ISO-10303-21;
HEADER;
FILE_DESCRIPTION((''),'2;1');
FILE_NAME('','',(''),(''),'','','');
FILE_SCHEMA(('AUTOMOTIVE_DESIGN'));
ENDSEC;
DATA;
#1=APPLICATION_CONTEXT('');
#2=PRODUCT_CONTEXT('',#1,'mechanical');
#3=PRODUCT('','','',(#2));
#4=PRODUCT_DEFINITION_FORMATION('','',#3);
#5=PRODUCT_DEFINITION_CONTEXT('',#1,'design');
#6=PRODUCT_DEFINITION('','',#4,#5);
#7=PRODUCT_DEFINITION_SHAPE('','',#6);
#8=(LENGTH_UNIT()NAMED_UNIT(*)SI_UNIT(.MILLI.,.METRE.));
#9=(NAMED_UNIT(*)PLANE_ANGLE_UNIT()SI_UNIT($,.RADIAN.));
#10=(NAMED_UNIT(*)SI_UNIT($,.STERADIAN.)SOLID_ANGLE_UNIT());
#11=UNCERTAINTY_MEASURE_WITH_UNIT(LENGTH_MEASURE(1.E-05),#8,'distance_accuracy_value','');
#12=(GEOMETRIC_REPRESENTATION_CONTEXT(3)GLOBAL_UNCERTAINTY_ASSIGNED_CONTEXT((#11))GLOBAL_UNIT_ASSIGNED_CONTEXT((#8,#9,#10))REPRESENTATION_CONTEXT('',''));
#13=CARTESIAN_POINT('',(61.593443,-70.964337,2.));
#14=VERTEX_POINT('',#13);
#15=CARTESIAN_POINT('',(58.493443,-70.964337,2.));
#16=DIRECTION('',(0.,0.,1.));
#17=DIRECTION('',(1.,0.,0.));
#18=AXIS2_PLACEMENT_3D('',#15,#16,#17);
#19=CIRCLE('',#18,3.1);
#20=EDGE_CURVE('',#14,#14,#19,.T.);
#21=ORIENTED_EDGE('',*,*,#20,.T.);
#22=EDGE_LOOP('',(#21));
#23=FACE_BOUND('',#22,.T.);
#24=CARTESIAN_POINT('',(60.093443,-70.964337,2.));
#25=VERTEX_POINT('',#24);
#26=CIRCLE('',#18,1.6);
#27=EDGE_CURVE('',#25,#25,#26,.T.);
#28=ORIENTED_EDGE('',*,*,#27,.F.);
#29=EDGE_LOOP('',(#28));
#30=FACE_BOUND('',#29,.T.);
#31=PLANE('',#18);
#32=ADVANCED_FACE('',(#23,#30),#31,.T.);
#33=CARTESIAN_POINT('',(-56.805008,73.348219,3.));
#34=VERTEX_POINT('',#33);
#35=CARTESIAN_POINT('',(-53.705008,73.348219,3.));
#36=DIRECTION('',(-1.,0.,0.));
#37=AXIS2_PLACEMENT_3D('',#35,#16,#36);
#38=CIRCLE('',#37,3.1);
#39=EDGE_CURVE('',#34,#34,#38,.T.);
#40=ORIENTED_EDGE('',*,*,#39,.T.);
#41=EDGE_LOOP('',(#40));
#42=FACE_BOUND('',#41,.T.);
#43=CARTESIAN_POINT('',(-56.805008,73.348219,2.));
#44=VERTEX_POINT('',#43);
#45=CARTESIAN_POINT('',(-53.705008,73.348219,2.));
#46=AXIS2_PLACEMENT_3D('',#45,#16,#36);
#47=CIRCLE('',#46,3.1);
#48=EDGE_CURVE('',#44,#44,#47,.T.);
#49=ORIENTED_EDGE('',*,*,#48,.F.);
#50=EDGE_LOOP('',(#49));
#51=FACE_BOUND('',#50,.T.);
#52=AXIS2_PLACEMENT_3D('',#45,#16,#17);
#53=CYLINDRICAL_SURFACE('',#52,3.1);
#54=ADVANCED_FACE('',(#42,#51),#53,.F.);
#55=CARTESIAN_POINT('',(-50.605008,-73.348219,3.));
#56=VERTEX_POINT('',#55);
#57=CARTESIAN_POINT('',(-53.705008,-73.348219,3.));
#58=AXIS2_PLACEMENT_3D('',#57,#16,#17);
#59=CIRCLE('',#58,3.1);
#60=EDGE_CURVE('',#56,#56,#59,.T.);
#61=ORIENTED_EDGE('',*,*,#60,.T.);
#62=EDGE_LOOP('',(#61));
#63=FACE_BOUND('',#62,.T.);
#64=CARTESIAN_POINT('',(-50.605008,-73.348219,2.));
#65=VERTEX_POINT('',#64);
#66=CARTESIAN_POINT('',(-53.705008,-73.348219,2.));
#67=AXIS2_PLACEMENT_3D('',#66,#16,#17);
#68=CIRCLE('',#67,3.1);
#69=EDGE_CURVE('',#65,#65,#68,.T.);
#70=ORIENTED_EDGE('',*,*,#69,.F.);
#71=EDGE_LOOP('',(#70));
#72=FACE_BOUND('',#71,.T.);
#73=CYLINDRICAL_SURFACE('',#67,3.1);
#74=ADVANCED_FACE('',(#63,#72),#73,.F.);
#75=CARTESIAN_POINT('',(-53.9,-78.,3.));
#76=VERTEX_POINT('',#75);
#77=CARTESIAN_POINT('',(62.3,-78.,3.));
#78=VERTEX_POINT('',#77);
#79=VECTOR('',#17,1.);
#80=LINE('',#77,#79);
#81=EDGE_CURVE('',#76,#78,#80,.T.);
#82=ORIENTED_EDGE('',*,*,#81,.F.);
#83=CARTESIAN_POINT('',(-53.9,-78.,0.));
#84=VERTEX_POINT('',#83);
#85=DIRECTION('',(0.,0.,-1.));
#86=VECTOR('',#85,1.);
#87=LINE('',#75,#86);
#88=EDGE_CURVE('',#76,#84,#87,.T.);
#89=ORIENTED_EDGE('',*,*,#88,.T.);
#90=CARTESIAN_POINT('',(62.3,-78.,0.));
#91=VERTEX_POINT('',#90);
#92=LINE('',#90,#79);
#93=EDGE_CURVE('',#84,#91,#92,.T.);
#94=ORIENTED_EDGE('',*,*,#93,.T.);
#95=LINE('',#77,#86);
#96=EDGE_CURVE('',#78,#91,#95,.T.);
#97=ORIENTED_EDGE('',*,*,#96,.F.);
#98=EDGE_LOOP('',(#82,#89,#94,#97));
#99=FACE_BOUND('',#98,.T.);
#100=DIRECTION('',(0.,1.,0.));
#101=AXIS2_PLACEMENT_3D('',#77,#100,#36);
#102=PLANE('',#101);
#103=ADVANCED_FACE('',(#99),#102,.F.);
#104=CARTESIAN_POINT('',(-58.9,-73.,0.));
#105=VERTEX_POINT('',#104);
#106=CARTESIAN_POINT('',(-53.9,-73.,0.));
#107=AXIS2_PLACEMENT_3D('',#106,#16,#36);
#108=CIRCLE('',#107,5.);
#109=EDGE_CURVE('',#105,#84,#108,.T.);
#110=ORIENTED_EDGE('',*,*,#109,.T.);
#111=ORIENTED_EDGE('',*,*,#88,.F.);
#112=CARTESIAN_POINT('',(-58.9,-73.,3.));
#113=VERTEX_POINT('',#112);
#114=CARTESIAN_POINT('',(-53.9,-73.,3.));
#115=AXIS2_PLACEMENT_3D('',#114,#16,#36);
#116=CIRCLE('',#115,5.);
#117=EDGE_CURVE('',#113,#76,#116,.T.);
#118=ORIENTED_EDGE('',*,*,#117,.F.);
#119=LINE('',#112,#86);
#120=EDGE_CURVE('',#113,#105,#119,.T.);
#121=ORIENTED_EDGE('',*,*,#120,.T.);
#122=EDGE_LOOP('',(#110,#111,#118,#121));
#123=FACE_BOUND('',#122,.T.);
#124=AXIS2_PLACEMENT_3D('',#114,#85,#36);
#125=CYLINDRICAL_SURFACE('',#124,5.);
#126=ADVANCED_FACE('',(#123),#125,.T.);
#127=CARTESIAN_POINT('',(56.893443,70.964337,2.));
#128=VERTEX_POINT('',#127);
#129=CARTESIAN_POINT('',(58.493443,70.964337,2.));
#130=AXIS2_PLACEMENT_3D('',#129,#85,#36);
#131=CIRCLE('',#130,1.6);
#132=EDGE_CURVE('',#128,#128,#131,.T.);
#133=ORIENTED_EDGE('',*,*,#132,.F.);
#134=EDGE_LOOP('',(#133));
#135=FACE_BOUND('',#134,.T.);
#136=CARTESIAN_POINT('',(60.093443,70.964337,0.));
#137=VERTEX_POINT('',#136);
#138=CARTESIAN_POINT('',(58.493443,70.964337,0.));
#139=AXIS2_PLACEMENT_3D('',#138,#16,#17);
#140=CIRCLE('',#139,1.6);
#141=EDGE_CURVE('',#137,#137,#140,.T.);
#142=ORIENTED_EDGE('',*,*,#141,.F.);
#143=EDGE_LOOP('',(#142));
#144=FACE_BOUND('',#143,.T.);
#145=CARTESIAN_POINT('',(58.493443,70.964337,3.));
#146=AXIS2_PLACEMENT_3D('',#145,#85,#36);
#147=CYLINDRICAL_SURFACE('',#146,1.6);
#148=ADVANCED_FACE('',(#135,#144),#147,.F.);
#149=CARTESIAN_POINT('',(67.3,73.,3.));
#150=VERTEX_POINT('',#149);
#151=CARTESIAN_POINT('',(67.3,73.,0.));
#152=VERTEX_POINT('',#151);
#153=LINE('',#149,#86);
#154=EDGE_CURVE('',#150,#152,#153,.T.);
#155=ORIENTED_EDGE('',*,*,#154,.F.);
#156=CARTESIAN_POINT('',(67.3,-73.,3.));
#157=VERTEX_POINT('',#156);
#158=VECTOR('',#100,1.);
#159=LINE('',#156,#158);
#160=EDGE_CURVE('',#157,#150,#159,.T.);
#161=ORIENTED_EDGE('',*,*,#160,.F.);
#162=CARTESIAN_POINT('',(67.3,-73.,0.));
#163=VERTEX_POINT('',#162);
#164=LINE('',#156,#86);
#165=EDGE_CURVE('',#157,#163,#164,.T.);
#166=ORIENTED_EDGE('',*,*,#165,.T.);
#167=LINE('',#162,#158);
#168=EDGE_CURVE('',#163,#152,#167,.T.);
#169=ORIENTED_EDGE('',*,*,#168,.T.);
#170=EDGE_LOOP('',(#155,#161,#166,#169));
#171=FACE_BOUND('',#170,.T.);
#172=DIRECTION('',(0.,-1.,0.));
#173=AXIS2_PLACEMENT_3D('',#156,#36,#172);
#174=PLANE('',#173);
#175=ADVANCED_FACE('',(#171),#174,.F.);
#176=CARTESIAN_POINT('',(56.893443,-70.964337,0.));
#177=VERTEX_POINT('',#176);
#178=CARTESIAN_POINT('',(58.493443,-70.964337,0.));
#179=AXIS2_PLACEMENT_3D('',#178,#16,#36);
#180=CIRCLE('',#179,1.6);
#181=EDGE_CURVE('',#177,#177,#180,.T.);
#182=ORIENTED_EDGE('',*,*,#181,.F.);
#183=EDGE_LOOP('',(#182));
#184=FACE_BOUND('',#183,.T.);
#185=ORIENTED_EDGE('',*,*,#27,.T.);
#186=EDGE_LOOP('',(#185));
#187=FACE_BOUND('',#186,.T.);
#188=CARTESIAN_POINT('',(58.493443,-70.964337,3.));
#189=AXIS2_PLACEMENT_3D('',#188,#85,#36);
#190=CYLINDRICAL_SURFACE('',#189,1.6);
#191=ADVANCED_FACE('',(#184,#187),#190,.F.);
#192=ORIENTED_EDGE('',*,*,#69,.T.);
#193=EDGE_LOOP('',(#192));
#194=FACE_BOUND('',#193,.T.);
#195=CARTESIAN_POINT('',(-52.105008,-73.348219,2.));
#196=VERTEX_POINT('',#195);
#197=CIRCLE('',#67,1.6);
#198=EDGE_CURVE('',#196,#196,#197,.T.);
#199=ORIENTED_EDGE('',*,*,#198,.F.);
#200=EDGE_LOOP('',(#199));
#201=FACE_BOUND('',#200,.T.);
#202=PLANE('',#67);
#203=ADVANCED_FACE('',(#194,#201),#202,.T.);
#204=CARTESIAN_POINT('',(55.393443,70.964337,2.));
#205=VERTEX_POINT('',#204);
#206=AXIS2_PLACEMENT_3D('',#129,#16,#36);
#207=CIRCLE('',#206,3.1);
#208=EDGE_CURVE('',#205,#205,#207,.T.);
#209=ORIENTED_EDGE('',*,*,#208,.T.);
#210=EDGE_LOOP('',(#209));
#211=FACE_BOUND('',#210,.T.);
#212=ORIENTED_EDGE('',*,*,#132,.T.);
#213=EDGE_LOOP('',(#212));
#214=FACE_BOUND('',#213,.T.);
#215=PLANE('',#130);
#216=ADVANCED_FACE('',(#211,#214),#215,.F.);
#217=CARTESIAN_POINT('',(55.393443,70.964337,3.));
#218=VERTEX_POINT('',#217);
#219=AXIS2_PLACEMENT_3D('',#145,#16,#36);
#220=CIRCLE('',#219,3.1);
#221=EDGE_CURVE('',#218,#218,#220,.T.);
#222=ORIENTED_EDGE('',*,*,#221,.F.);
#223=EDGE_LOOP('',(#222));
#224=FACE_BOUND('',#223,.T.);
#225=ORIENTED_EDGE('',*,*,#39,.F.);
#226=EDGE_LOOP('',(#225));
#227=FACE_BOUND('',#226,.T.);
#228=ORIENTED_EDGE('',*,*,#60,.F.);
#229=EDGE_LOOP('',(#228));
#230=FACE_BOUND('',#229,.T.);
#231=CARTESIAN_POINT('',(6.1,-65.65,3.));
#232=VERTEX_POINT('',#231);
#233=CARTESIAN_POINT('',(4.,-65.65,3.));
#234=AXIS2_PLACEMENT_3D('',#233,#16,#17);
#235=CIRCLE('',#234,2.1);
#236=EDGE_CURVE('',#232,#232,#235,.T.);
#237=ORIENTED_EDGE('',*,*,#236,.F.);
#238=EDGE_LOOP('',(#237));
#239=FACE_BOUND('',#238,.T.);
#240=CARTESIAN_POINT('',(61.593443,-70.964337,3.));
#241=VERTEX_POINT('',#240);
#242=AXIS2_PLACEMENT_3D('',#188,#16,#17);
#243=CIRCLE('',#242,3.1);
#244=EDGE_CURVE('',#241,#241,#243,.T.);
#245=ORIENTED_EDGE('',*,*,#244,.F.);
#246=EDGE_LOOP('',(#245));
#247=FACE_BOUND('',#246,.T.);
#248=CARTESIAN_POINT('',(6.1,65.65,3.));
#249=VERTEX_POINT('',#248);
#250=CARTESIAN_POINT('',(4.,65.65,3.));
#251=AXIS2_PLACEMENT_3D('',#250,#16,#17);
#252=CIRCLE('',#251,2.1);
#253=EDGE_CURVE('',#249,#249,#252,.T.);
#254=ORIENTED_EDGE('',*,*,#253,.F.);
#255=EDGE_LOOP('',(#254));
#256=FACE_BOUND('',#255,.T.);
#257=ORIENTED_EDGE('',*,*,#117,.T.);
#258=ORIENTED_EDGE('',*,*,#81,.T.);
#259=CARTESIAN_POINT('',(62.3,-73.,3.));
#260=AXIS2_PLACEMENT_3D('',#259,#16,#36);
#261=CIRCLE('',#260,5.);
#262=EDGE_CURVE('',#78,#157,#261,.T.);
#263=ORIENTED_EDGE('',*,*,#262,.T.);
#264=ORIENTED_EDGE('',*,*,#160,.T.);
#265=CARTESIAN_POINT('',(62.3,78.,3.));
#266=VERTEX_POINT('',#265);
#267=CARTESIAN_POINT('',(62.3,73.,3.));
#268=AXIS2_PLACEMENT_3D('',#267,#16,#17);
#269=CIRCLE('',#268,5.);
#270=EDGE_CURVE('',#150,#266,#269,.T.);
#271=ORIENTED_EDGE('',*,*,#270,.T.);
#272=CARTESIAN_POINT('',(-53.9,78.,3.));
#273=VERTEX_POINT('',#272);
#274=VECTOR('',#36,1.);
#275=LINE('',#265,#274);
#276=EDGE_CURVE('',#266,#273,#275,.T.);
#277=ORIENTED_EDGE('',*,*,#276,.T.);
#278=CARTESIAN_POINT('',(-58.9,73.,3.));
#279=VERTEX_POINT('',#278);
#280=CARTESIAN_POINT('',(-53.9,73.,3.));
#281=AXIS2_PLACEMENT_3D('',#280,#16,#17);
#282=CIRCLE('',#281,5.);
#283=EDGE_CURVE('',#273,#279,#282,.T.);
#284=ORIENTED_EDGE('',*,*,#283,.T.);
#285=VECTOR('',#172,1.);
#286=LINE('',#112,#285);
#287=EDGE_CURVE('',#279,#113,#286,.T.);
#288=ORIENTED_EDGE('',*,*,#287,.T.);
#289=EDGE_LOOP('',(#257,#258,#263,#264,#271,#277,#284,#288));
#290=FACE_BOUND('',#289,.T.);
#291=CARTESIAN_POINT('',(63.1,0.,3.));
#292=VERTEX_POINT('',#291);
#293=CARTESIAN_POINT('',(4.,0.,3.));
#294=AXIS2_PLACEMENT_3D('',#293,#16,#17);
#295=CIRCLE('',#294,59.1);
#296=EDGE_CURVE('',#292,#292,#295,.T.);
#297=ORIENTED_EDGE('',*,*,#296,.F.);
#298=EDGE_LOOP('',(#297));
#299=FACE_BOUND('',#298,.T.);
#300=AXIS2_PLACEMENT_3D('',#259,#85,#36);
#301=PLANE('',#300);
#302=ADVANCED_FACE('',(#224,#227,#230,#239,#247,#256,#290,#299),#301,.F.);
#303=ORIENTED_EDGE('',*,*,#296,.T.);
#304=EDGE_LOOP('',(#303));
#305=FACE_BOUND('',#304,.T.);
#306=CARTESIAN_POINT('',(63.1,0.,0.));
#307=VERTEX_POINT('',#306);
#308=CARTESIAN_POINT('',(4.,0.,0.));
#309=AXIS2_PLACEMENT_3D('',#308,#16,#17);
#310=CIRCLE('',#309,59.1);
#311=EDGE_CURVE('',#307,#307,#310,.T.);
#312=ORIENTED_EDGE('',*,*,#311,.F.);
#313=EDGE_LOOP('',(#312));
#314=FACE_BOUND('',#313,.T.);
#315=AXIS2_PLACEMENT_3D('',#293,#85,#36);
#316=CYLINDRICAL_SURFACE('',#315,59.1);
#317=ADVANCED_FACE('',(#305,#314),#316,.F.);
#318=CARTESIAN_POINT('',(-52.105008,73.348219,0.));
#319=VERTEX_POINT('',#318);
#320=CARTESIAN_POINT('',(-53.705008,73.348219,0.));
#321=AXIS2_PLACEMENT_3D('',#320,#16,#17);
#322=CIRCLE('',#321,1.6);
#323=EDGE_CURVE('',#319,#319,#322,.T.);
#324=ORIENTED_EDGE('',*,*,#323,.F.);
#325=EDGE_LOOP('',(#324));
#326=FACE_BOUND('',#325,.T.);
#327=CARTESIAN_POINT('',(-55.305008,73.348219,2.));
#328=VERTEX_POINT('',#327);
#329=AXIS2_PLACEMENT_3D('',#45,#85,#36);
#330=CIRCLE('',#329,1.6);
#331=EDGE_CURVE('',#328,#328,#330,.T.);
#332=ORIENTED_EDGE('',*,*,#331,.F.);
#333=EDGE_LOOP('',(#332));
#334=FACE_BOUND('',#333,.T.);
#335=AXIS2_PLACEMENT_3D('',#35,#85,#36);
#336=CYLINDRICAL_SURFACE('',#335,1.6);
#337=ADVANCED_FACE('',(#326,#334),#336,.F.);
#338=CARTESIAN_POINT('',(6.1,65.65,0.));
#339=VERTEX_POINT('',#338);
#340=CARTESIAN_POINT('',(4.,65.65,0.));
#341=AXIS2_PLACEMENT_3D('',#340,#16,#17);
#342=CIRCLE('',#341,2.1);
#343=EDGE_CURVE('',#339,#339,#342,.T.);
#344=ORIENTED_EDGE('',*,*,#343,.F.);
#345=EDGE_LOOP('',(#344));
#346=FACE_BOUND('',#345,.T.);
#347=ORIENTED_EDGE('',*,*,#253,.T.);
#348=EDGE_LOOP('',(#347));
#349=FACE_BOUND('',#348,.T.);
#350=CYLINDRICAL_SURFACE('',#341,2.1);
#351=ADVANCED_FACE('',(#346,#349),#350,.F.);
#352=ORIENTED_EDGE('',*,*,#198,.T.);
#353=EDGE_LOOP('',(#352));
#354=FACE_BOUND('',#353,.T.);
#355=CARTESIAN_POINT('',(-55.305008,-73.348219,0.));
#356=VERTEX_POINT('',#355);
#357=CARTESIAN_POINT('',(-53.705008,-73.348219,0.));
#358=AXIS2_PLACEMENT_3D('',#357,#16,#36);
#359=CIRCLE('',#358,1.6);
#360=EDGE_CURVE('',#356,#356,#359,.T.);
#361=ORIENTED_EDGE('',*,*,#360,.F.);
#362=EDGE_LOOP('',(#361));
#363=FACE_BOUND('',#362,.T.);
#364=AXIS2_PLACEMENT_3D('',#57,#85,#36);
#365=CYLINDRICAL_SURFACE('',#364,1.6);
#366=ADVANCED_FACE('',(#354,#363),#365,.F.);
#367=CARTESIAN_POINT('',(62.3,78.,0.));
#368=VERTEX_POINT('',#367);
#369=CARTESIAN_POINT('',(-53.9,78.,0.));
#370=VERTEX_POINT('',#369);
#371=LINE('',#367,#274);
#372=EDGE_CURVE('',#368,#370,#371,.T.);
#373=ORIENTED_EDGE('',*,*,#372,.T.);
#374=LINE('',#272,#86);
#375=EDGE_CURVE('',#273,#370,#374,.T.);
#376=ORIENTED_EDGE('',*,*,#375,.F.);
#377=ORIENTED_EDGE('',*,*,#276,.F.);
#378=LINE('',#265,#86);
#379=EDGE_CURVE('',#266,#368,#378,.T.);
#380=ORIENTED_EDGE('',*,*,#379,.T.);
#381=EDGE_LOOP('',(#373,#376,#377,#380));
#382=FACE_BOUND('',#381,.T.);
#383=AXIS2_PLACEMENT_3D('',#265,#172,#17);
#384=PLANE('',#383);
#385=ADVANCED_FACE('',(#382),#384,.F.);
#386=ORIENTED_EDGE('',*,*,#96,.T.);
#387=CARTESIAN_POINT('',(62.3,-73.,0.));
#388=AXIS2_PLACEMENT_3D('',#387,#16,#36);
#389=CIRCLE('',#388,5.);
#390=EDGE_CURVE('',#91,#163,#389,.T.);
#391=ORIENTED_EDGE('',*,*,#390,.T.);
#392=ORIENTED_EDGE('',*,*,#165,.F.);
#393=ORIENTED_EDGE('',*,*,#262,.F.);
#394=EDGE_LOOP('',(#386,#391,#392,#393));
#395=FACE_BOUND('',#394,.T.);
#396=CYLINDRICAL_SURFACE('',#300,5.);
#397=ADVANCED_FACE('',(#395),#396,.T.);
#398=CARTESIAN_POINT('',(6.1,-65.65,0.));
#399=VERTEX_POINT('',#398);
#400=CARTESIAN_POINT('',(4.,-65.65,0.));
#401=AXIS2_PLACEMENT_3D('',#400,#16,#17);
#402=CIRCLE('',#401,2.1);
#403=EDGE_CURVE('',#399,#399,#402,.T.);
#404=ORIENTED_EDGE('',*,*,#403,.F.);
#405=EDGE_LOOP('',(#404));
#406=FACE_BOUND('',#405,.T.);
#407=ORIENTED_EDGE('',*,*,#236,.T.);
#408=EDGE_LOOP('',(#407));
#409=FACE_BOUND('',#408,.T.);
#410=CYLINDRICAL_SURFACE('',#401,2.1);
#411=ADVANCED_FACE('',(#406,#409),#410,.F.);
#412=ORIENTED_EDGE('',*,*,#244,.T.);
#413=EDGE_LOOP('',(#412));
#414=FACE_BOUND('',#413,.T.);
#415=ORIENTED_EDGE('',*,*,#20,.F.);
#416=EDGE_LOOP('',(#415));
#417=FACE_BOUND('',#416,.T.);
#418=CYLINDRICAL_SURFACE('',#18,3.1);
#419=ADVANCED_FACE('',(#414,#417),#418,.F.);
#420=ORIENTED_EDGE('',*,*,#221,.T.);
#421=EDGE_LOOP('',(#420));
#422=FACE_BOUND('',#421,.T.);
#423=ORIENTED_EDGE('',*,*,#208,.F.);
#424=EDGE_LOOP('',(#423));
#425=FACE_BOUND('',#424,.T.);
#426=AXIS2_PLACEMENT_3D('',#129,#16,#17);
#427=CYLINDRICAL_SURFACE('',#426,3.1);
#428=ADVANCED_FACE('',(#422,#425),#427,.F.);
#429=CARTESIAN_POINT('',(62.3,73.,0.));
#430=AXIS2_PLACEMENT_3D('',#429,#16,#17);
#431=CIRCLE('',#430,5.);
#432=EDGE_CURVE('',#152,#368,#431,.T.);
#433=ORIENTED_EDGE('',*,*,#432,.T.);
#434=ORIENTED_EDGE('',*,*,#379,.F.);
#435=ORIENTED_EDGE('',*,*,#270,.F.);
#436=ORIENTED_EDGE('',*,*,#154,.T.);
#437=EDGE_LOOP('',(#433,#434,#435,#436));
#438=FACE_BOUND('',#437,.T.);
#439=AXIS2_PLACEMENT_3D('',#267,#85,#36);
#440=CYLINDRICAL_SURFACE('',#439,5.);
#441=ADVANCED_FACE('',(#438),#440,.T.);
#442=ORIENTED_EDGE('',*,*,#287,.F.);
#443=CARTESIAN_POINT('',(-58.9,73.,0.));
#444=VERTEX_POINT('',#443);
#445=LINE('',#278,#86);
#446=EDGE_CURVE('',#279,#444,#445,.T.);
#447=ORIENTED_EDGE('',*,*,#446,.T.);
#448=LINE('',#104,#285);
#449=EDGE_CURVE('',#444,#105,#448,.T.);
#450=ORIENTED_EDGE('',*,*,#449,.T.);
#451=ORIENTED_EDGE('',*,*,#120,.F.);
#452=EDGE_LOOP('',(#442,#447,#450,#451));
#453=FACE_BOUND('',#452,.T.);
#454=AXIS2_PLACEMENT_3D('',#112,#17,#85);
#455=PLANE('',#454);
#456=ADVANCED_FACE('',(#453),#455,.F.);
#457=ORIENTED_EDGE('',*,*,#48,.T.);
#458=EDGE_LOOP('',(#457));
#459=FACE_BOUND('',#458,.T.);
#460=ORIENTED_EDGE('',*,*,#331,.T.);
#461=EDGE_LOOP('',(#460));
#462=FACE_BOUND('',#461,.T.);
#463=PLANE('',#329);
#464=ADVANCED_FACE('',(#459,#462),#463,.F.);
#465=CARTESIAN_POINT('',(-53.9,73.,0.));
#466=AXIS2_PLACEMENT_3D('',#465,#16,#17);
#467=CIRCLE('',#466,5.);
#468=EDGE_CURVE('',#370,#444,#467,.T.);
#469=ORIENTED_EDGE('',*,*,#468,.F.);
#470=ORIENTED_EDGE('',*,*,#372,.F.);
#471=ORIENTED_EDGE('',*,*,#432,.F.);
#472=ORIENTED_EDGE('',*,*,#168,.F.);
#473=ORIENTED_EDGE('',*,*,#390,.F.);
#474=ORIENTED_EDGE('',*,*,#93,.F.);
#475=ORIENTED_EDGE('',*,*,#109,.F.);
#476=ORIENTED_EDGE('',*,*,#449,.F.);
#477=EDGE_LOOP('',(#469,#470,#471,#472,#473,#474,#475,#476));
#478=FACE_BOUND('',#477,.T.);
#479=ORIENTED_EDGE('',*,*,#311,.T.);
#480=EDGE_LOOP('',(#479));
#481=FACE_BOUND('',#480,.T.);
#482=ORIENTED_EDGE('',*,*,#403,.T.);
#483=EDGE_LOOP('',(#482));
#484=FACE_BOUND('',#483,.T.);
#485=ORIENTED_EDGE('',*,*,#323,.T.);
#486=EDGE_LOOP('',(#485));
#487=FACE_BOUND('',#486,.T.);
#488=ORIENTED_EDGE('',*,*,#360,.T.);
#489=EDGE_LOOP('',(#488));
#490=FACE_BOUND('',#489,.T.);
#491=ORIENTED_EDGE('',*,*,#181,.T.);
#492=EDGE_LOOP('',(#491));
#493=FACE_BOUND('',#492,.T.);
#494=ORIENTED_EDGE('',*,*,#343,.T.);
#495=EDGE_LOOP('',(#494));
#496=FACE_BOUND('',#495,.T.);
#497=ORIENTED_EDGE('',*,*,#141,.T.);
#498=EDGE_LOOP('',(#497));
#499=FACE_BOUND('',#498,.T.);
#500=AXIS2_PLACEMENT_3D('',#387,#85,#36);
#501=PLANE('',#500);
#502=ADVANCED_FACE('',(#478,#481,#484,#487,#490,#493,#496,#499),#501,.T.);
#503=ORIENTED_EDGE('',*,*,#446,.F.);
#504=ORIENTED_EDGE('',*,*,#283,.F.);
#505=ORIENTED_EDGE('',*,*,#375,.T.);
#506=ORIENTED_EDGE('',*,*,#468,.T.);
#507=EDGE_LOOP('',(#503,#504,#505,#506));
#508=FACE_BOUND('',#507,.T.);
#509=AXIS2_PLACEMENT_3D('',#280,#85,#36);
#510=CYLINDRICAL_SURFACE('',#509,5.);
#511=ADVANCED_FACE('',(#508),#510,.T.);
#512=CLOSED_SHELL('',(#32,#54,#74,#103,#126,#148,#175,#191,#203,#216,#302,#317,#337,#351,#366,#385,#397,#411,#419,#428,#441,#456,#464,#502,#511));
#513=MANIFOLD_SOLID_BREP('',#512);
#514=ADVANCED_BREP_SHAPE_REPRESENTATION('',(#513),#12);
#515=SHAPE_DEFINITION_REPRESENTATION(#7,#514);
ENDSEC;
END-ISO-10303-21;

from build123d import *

# Parameters (mm, degrees)
SKETCH_1_R          = 59.1
SKETCH_1_R_2        = 1.6
EXTRUDE_1_DEPTH     = 3
SKETCH_2_R          = 2.1
CUT_EXTRUDE_1_DEPTH = 104.064494371
SKETCH_3_R          = 3.1
CUT_EXTRUDE_2_DEPTH = 1


with BuildPart() as part:
    # 草图1 → 凸台-拉伸1 (new body)
    with BuildSketch(Plane.XY):
        with BuildLine():
            Line((62.3, -78), (-53.9, -78))
            ThreePointArc((-53.9, -78), (-57.435533906, -76.535533906), (-58.9, -73))
            Line((-58.9, -73), (-58.9, 73))
            ThreePointArc((-58.9, 73), (-57.435533906, 76.535533906), (-53.9, 78))
            Line((-53.9, 78), (62.3, 78))
            ThreePointArc((62.3, 78), (65.835533906, 76.535533906), (67.3, 73))
            Line((67.3, 73), (67.3, -73))
            ThreePointArc((67.3, -73), (65.835533906, -76.535533906), (62.3, -78))
        make_face()
        with Locations((4, 0)):
            Circle(SKETCH_1_R, mode=Mode.SUBTRACT)
        with Locations((58.493442579, 70.964337058)):
            Circle(SKETCH_1_R_2, mode=Mode.SUBTRACT)
        with Locations((-53.705008218, 73.348219362)):
            Circle(SKETCH_1_R_2, mode=Mode.SUBTRACT)
        with Locations(Location((58.493442579, -70.964337058, 0), (0, 0, 180))):
            Circle(SKETCH_1_R_2, mode=Mode.SUBTRACT)
        with Locations(Location((-53.705008218, -73.348219362, 0), (0, 0, 180))):
            Circle(SKETCH_1_R_2, mode=Mode.SUBTRACT)
    extrude(amount=EXTRUDE_1_DEPTH)

    # 草图2 → 切除-拉伸1 (cut, through all)
    with BuildSketch(Plane.XY.offset(3)):
        with Locations((4, -65.65)):
            Circle(SKETCH_2_R)
        with Locations((4, 65.65)):
            Circle(SKETCH_2_R)
    extrude(amount=-CUT_EXTRUDE_1_DEPTH, mode=Mode.SUBTRACT)

    # 草图3 → 切除-拉伸2 (cut)
    with BuildSketch(Plane.XY.offset(3)):
        with Locations((58.493442579, -70.964337058)):
            Circle(SKETCH_3_R)
        with Locations((-53.705008218, -73.348219362)):
            Circle(SKETCH_3_R)
        with Locations(Location((-53.705008218, 73.348219362, 0), (0, 0, 180))):
            Circle(SKETCH_3_R)
        with Locations(Location((58.493442579, 70.964337058, 0), (0, 0, 180))):
            Circle(SKETCH_3_R)
    extrude(amount=-CUT_EXTRUDE_2_DEPTH, mode=Mode.SUBTRACT)


solid = part.part
